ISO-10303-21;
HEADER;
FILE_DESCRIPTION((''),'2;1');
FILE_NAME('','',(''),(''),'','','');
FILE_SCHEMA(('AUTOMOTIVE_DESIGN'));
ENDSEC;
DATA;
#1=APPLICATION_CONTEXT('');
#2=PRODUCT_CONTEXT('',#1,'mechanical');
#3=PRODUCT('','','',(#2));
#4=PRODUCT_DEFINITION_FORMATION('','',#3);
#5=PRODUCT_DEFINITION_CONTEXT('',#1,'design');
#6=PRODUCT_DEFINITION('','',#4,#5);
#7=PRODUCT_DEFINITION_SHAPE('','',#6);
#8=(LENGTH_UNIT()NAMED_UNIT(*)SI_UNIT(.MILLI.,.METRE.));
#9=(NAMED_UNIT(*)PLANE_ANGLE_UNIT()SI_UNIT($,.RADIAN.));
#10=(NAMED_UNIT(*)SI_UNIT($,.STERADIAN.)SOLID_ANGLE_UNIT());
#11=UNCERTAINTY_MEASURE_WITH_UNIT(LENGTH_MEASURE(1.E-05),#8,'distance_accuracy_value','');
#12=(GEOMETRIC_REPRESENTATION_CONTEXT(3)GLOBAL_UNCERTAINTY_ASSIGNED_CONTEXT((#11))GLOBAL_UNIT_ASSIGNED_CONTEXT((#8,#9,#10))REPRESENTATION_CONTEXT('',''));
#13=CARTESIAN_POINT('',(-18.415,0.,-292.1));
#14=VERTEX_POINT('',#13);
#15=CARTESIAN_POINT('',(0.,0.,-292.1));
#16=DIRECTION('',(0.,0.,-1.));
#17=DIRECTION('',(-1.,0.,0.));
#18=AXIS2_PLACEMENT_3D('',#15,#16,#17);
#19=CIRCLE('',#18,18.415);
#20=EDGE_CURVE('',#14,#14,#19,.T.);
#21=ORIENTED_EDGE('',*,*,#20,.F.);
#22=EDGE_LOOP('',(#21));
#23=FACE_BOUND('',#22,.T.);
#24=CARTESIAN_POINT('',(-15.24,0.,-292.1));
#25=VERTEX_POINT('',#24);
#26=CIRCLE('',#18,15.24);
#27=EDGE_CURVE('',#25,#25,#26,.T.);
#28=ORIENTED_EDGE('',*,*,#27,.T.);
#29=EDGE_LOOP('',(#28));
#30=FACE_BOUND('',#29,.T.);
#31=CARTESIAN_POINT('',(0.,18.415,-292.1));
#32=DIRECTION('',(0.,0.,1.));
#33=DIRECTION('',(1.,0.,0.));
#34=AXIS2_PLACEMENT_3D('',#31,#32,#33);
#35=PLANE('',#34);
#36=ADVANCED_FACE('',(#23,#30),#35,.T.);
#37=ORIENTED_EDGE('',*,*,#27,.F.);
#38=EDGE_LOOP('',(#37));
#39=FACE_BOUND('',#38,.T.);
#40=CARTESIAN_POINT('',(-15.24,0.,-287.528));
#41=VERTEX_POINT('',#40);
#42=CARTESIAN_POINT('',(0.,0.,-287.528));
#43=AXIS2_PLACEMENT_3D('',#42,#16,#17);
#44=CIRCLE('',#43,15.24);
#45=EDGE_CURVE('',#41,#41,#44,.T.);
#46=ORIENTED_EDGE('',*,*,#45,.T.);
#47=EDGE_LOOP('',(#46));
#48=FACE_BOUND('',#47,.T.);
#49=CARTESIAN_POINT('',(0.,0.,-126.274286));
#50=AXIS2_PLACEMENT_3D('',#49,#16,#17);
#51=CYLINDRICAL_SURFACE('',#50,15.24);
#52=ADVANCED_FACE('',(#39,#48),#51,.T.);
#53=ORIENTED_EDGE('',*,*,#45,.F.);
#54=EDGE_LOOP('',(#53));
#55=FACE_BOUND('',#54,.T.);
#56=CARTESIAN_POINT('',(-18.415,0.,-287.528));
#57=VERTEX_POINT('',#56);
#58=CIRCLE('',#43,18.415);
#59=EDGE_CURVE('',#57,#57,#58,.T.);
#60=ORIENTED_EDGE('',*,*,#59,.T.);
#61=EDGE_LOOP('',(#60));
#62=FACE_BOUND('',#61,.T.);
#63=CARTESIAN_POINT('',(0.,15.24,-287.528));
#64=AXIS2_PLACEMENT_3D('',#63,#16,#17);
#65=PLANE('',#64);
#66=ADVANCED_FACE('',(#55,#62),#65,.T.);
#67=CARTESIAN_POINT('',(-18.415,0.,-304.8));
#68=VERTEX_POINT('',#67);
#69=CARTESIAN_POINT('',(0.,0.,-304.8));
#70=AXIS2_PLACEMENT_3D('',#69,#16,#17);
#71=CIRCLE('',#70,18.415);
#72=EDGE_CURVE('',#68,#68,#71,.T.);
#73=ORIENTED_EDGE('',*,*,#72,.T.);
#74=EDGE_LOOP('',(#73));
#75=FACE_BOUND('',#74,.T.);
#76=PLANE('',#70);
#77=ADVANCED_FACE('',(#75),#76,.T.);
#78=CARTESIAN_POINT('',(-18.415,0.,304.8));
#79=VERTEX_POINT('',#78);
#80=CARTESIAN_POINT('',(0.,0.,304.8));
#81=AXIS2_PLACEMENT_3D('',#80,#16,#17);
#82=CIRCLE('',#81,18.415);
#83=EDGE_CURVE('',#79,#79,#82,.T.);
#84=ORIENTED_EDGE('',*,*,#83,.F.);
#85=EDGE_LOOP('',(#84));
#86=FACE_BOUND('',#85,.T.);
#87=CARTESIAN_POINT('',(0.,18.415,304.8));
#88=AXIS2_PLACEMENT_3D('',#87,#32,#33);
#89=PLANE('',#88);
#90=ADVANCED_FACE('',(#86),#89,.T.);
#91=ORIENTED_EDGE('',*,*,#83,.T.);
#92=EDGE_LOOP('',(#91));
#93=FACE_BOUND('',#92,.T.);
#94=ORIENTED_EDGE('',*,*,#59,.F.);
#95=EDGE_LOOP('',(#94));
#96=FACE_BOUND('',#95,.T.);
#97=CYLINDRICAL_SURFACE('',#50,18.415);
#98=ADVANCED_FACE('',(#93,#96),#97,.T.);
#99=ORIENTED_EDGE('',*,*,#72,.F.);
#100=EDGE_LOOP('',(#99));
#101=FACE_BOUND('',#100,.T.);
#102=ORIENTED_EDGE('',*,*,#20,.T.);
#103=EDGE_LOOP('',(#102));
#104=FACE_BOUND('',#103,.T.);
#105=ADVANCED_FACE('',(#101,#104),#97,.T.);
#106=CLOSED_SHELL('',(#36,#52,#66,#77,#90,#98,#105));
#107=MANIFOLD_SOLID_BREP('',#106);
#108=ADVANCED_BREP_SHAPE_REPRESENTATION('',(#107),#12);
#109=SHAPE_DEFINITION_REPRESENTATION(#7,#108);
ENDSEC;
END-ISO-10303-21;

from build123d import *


with BuildPart() as part:
    # Sketch1 → Revolve1 (revolve)
    with BuildSketch(Plane(origin=(0, 0, 0), x_dir=(0, 0, -1), z_dir=(1, 0, 0)), mode=Mode.PRIVATE) as revolve1_sk:
        Polygon((304.8, 0), (304.8, 18.415), (292.1, 18.415), (292.1, 15.24), (287.528, 15.24), (287.528, 18.415), (-304.8, 18.415), (-304.8, 0), align=None)
    revolve(revolve1_sk.sketch.rotate(Axis((0, 0, -126.274285714), (0, 0, 1)), 90), axis=Axis((0, 0, -126.274285714), (0, 0, 1)))


solid = part.part
